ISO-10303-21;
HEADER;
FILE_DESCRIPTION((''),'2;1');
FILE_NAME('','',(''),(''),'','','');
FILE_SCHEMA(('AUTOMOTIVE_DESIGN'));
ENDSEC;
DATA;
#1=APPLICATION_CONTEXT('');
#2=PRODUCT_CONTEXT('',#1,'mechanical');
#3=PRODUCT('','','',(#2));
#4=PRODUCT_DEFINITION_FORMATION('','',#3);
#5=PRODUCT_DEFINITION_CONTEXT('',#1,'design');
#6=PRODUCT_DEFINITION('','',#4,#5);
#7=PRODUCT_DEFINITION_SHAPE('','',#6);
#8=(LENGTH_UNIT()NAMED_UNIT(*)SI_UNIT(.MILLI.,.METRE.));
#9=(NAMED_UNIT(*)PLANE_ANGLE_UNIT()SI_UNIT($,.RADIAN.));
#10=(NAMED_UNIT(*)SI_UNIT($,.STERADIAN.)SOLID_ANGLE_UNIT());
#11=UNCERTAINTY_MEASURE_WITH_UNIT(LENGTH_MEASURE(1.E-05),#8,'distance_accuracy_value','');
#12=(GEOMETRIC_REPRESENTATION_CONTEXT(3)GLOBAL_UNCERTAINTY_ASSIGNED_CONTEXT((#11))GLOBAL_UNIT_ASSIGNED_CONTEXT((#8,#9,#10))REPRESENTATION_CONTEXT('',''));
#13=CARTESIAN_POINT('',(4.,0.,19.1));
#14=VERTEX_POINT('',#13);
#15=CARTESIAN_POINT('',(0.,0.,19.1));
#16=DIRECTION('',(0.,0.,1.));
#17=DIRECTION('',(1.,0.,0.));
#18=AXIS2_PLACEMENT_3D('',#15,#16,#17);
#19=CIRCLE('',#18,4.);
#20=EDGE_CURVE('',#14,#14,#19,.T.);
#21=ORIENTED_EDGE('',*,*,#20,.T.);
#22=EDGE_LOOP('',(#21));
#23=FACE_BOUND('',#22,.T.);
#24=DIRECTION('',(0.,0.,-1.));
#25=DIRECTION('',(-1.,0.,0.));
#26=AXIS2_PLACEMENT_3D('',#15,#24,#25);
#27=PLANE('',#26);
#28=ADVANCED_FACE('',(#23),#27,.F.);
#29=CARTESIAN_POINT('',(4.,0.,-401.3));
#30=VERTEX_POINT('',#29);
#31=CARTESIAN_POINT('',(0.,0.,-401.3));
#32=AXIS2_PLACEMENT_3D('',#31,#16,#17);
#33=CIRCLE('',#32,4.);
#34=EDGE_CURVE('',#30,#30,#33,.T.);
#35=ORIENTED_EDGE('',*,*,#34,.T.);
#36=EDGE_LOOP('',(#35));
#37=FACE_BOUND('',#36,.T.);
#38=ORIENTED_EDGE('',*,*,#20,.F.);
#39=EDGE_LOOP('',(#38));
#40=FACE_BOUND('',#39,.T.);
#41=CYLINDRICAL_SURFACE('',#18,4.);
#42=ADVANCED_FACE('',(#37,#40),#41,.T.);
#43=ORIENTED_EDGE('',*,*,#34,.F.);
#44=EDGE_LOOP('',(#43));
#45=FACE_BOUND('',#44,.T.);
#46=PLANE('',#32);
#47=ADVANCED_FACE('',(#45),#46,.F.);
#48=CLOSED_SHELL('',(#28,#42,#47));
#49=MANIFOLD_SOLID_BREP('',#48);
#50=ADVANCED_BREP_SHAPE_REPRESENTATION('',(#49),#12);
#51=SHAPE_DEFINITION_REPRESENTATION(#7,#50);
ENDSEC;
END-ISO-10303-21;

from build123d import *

# Parameters (mm, degrees)
SKETCH2_W = 420.400000948
SKETCH2_H = 4


with BuildPart() as part:
    # Sketch2 → Revolve1 (revolve)
    with BuildSketch(Plane(origin=(0, 0, 0), x_dir=(0, 0, -1), z_dir=(1, 0, 0))):
        with Locations((191.1, 2)):
            Rectangle(SKETCH2_W, SKETCH2_H)
    revolve(axis=Axis((0, 0, 19.100000474), (0, 0, -1)))


solid = part.part
